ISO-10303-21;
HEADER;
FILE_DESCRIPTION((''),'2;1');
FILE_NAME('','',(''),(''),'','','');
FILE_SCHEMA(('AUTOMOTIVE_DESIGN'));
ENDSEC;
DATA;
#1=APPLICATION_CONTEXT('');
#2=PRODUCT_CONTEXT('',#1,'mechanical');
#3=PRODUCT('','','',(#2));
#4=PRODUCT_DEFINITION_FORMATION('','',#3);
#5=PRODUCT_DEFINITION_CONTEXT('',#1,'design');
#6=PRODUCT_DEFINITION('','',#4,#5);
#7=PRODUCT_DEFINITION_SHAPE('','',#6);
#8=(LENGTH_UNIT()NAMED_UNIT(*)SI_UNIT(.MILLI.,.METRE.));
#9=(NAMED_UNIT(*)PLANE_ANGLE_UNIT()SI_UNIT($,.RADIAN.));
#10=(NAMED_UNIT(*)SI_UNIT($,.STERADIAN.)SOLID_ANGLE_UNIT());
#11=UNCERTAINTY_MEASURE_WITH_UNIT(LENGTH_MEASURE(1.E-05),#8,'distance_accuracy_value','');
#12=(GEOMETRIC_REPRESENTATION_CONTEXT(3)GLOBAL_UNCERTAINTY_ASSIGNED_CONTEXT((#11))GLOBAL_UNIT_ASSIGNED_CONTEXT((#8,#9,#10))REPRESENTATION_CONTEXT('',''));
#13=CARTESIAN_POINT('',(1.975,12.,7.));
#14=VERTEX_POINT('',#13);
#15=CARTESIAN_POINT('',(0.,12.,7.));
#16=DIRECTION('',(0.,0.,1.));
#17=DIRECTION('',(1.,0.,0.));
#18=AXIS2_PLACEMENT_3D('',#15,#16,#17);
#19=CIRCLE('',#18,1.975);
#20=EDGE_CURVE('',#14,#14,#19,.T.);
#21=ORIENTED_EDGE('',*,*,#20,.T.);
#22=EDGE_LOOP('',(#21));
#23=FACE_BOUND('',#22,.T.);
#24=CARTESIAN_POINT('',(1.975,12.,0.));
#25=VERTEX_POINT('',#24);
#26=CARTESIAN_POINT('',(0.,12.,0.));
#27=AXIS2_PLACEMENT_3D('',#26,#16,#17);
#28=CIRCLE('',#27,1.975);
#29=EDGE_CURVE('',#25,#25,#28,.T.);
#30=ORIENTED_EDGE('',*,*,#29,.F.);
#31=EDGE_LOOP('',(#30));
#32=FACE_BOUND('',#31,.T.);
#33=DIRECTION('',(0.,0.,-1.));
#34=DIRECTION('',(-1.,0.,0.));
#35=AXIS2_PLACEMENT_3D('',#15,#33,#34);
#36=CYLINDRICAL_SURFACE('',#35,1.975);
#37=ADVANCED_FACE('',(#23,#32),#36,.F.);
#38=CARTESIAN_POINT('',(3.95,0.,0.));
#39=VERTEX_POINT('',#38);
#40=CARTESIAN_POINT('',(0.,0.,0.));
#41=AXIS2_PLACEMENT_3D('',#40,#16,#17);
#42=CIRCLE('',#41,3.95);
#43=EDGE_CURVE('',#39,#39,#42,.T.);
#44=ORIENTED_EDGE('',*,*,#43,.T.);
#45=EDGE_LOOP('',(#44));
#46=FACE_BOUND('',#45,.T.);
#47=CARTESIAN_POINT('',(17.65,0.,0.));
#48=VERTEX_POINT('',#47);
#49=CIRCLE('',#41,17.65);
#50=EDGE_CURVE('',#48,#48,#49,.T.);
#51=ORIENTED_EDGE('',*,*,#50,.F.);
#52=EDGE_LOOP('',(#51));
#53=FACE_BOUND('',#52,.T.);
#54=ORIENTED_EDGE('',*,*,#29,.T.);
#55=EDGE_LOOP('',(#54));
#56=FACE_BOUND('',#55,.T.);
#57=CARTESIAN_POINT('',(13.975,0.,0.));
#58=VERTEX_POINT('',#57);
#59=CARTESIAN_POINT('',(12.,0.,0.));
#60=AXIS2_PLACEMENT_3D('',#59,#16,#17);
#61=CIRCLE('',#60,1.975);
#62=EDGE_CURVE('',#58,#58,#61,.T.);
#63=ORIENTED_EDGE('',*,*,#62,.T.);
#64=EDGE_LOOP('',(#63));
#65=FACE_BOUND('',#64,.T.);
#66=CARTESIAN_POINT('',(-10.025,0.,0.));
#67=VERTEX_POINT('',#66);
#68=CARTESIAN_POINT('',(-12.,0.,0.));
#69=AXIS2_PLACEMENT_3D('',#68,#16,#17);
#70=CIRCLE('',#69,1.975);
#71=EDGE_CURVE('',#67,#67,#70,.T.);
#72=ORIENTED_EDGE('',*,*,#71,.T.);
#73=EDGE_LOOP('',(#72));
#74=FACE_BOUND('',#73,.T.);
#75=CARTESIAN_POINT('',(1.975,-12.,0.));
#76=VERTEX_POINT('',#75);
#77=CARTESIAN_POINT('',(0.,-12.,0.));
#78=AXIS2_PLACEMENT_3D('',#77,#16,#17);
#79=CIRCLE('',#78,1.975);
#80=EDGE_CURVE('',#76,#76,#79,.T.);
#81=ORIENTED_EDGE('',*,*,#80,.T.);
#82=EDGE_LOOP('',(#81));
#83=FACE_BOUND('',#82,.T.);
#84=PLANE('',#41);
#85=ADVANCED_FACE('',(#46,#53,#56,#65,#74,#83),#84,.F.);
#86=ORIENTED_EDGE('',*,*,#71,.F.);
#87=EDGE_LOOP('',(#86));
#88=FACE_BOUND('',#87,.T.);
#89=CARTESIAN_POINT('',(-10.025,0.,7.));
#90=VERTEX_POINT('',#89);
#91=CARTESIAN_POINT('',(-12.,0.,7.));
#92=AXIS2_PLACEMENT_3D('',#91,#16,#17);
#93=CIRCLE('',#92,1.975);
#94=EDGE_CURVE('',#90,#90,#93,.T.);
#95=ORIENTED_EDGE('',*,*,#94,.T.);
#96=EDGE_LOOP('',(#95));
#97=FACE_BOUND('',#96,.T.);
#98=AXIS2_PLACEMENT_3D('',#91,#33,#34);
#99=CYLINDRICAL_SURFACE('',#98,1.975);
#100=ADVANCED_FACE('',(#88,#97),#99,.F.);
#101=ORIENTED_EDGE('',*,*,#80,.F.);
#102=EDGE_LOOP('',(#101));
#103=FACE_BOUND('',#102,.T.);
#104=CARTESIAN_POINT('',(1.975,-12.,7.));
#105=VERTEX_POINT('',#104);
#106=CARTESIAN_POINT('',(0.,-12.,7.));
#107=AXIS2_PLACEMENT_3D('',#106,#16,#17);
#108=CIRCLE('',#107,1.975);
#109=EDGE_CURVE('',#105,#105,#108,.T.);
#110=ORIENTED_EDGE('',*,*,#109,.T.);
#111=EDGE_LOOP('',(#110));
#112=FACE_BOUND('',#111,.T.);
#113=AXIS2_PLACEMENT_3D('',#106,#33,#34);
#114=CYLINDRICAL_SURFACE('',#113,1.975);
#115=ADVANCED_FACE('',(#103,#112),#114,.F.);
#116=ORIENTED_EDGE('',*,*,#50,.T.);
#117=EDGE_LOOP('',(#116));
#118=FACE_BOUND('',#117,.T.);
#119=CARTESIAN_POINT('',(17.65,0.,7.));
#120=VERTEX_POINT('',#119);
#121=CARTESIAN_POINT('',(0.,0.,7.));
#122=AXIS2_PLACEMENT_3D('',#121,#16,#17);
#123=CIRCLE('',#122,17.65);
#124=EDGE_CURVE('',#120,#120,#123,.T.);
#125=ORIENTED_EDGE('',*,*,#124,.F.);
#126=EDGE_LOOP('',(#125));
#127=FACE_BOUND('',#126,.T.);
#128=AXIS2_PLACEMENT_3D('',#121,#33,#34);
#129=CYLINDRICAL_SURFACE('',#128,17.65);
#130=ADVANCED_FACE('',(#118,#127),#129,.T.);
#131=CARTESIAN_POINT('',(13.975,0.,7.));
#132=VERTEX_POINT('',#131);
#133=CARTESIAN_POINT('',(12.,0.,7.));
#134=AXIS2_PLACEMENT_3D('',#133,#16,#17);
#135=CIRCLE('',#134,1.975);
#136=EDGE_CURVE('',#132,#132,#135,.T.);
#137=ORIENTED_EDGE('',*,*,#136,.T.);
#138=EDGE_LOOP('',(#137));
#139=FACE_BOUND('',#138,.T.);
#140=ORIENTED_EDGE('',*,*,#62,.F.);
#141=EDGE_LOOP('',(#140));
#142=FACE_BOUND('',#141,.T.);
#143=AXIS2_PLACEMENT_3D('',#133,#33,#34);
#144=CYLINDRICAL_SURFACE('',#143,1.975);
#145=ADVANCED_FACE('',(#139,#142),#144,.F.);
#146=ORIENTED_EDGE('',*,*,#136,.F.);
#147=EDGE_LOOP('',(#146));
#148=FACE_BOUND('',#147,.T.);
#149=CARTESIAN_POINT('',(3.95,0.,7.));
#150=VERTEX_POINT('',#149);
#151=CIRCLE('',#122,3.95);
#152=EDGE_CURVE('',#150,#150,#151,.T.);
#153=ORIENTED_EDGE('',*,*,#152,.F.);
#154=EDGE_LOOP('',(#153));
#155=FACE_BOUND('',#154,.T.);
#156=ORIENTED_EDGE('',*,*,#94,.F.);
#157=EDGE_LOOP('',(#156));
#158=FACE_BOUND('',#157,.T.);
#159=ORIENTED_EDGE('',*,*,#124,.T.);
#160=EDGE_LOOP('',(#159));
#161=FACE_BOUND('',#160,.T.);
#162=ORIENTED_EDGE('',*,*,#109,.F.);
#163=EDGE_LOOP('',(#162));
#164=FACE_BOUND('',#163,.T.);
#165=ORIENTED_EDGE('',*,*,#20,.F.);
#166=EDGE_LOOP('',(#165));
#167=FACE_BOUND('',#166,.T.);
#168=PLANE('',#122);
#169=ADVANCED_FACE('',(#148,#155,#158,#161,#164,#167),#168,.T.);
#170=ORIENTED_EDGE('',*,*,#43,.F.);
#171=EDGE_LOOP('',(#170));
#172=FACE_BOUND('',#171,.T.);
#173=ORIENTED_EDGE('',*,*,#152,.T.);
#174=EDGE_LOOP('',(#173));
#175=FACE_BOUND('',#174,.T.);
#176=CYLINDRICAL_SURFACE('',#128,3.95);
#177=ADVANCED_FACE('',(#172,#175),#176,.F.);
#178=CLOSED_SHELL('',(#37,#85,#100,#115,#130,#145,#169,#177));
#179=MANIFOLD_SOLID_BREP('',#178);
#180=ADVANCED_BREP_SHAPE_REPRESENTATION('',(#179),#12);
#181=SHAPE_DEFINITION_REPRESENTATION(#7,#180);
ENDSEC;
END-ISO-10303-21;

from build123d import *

# Parameters (mm, degrees)
SKETCH1_R           = 17.65
SKETCH1_R_2         = 3.95
SKETCH1_R_3         = 1.975
BOSS_EXTRUDE1_DEPTH = 7


with BuildPart() as part:
    # Sketch1 → Boss-Extrude1 (new body)
    with BuildSketch(Plane.XY):
        Circle(SKETCH1_R)
        Circle(SKETCH1_R_2, mode=Mode.SUBTRACT)
        with Locations((0, 12)):
            Circle(SKETCH1_R_3, mode=Mode.SUBTRACT)
        with Locations((12, 0)):
            Circle(SKETCH1_R_3, mode=Mode.SUBTRACT)
        with Locations((0, -12)):
            Circle(SKETCH1_R_3, mode=Mode.SUBTRACT)
        with Locations((-12, 0)):
            Circle(SKETCH1_R_3, mode=Mode.SUBTRACT)
    extrude(amount=BOSS_EXTRUDE1_DEPTH)


solid = part.part
